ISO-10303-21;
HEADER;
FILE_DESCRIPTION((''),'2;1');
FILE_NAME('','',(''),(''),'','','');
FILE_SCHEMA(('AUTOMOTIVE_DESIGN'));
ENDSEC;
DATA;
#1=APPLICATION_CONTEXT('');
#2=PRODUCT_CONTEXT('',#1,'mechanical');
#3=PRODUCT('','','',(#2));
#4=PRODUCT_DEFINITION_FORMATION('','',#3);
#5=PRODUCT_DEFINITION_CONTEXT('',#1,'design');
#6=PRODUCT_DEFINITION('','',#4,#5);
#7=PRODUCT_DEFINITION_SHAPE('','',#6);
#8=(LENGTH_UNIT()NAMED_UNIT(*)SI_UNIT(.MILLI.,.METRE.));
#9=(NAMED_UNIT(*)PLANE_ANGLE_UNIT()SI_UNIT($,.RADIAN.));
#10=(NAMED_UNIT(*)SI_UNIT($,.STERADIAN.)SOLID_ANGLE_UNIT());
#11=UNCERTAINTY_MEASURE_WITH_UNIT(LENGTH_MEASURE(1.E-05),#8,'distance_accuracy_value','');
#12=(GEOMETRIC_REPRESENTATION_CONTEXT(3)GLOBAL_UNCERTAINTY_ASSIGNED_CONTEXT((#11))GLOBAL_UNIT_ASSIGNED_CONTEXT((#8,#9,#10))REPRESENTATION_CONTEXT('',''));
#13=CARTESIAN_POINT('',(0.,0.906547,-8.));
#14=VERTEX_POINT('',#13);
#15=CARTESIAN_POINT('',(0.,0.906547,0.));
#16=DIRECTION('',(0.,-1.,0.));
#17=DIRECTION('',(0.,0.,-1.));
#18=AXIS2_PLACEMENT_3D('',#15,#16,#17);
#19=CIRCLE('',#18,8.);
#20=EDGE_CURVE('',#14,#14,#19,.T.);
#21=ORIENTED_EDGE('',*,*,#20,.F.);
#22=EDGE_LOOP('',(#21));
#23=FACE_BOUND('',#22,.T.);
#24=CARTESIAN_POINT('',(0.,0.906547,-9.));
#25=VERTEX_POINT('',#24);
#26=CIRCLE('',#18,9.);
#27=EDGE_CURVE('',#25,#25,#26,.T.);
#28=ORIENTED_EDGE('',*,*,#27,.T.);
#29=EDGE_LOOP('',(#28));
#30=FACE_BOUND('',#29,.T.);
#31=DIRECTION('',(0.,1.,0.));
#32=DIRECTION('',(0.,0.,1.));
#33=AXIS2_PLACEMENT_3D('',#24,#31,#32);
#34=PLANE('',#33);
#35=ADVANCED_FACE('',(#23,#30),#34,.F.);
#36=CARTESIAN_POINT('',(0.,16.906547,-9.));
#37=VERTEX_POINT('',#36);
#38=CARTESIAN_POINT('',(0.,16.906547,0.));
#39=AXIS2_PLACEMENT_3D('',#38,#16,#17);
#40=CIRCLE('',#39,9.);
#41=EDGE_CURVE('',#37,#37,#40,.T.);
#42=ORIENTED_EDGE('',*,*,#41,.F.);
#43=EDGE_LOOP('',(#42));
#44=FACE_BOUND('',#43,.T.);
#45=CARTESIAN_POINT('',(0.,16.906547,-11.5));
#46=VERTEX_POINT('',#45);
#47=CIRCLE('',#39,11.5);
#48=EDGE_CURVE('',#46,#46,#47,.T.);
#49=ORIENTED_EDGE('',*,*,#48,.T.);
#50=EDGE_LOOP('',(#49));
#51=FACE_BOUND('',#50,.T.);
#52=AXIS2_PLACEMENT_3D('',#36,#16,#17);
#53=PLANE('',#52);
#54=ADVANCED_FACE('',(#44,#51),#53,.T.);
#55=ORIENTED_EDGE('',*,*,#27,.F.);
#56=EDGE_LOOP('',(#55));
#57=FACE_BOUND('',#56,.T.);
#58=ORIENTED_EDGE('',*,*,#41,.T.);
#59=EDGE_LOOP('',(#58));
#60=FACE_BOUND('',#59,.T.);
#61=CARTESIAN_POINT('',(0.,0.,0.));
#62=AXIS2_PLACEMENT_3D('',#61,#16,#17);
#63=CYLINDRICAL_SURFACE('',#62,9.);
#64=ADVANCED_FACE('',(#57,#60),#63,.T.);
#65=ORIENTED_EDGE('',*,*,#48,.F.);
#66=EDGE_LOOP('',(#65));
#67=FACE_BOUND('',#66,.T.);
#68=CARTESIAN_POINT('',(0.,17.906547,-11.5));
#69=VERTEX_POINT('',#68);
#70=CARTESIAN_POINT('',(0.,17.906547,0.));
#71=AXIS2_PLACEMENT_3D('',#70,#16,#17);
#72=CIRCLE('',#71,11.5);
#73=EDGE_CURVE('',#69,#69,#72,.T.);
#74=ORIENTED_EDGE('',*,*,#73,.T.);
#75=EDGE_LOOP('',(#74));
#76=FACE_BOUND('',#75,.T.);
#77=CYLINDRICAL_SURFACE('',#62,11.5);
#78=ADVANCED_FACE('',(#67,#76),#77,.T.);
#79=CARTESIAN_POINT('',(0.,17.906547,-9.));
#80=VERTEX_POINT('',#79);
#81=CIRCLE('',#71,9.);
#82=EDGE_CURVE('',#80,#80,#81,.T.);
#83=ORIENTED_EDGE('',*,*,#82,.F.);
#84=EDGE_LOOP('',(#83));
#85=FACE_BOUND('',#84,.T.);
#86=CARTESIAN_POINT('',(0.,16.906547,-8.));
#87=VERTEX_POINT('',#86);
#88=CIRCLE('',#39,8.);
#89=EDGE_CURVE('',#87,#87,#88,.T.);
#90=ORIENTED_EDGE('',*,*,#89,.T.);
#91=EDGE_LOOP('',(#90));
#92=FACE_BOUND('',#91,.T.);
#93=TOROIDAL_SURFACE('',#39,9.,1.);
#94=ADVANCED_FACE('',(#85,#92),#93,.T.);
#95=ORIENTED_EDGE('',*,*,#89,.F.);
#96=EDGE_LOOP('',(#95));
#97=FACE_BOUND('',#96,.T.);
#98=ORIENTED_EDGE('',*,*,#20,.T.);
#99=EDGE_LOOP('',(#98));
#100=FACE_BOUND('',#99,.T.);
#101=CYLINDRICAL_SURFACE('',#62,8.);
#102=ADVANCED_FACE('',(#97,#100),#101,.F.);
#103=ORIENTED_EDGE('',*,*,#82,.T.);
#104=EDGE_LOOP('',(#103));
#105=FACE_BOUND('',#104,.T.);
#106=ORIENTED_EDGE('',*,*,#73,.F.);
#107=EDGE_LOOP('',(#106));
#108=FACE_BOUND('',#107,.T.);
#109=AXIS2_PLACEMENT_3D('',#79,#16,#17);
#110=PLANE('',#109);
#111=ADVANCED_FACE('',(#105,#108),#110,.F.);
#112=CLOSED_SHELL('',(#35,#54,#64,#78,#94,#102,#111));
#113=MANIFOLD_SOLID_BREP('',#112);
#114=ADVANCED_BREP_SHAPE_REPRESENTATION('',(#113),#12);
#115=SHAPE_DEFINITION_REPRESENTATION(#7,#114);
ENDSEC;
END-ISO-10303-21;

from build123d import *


with BuildPart() as part:
    # 草图1 → 旋转-薄壁1 (revolve)
    with BuildSketch(Plane(origin=(0, 0, 0), x_dir=(0, 0, -1), z_dir=(1, 0, 0))):
        with BuildLine():
            Line((8, 0.906546657), (8, 16.906546657))
            ThreePointArc((8, 16.906546657), (8.292893219, 17.613653438), (9, 17.906546657))
            Line((9, 17.906546657), (11.5, 17.906546657))
            Line((11.5, 17.906546657), (11.5, 16.906546657))
            Line((11.5, 16.906546657), (9, 16.906546657))
            Line((9, 16.906546657), (9, 0.906546657))
            Line((9, 0.906546657), (8, 0.906546657))
        make_face()
    revolve(axis=Axis((0, 0, 0), (0, 1, 0)))


solid = part.part
